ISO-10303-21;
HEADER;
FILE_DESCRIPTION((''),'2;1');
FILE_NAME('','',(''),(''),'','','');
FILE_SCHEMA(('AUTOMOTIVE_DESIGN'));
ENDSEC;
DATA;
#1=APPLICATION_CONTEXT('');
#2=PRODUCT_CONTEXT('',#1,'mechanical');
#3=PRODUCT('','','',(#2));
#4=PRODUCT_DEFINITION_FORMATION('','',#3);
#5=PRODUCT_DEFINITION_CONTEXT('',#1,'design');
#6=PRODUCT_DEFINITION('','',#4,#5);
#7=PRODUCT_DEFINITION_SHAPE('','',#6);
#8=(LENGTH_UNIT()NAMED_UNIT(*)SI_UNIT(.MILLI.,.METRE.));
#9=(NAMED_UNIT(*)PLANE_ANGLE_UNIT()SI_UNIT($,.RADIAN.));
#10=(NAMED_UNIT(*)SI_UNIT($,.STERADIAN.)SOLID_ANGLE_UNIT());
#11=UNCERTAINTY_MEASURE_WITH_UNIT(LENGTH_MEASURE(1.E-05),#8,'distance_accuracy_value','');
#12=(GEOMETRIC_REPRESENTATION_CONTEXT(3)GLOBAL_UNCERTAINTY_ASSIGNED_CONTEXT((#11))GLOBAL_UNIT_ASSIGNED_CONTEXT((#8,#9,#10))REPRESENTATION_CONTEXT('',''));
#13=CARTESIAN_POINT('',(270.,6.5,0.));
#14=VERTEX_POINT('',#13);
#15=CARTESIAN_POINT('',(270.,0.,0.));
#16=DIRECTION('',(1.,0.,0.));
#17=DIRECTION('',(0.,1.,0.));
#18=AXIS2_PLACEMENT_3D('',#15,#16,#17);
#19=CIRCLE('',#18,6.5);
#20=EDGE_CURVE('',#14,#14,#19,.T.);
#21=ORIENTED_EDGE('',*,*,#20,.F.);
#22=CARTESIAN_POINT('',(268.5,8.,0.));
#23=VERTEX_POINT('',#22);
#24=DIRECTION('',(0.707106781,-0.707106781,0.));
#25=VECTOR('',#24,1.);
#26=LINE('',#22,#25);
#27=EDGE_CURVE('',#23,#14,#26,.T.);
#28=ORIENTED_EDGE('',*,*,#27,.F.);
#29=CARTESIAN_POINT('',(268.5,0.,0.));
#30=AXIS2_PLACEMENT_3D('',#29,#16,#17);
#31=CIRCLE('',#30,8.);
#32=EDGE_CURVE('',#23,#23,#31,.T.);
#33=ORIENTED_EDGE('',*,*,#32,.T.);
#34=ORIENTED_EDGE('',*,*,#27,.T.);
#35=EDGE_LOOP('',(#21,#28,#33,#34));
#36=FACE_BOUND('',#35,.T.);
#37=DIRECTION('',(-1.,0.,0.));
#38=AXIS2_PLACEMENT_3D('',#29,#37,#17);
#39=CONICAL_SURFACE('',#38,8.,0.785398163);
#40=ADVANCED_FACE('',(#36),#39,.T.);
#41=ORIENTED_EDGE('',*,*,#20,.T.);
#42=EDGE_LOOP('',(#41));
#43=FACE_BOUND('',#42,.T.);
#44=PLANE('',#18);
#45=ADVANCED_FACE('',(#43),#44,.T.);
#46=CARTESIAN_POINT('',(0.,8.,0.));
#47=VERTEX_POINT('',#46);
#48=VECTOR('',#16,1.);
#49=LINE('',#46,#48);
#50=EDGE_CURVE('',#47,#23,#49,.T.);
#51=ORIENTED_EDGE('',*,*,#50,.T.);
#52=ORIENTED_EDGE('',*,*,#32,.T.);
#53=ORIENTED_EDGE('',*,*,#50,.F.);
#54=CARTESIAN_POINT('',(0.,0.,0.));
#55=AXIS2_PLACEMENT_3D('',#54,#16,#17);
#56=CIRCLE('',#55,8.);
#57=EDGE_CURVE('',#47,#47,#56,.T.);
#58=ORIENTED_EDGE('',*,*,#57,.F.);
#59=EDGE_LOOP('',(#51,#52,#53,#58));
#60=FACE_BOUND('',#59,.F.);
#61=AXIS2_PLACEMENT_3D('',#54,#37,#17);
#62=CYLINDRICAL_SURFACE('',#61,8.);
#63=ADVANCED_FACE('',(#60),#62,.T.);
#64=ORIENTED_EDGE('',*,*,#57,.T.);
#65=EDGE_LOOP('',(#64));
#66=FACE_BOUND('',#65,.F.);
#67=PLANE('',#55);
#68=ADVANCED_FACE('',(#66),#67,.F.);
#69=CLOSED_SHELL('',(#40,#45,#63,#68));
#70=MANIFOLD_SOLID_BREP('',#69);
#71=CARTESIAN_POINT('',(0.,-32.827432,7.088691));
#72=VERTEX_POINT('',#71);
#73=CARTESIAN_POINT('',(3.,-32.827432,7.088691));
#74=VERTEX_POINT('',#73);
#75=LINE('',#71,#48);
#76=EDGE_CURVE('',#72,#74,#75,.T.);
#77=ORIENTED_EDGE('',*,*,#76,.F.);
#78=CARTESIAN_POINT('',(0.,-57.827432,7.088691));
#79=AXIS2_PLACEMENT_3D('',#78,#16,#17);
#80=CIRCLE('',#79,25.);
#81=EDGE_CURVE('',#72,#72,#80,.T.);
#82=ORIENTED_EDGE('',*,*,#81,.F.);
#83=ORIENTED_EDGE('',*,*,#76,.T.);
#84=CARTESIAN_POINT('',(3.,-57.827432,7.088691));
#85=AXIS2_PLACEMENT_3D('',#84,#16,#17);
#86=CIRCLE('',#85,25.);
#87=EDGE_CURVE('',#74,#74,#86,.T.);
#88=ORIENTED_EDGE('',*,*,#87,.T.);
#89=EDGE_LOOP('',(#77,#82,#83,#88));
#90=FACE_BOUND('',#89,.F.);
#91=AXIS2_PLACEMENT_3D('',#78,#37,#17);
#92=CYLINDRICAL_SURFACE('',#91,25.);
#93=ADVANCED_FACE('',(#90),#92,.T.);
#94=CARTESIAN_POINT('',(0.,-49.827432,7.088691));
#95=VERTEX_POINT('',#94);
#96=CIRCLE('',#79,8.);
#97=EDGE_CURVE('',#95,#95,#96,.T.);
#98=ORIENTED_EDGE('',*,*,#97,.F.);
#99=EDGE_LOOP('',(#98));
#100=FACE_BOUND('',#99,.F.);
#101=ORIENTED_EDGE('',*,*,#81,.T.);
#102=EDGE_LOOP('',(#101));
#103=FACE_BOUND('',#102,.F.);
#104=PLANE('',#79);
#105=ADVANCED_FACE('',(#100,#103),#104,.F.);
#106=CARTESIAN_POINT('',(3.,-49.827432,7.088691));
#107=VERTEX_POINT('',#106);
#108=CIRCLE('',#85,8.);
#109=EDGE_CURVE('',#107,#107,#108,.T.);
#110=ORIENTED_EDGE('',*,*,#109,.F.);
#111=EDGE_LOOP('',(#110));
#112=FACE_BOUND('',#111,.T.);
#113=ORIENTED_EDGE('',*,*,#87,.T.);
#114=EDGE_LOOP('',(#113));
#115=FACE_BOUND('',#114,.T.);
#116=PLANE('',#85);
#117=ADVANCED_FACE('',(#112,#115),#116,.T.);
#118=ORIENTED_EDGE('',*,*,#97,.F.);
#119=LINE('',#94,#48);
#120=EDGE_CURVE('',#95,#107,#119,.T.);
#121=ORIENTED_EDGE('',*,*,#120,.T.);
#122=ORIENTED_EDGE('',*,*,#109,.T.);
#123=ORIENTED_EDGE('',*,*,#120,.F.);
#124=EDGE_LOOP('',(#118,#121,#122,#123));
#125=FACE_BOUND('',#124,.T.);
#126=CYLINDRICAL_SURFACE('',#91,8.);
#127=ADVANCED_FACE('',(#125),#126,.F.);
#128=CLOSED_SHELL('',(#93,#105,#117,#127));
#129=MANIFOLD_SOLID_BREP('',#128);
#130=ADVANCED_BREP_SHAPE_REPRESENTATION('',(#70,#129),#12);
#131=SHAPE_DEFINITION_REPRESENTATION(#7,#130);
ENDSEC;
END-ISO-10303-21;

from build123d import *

# Parameters (mm, degrees)
F0_R     = 8
F1_DEPTH = 270
F2_SIZE  = 1.5
F3_R     = 25
F3_R_2   = 8
F4_DEPTH = 3


with BuildPart() as f1:
    # F0 (on Right) → F1 (new body)
    with BuildSketch(Plane.YZ):
        Circle(F0_R)
    extrude(amount=F1_DEPTH)

    # F2
    f2_edges = [f1.edges().sort_by_distance(p)[0] for p in [
        (270, -8, 0),
    ]]
    chamfer(f2_edges, length=F2_SIZE)


with BuildPart() as f4:
    # F3 (on Right) → F4 (new body)
    with BuildSketch(Plane.YZ):
        with Locations((-57.827432, 7.088691)):
            Circle(F3_R)
        with Locations((-57.827432, 7.088691)):
            Circle(F3_R_2, mode=Mode.SUBTRACT)
    extrude(amount=F4_DEPTH)


solid = Compound([f1.part, f4.part])
